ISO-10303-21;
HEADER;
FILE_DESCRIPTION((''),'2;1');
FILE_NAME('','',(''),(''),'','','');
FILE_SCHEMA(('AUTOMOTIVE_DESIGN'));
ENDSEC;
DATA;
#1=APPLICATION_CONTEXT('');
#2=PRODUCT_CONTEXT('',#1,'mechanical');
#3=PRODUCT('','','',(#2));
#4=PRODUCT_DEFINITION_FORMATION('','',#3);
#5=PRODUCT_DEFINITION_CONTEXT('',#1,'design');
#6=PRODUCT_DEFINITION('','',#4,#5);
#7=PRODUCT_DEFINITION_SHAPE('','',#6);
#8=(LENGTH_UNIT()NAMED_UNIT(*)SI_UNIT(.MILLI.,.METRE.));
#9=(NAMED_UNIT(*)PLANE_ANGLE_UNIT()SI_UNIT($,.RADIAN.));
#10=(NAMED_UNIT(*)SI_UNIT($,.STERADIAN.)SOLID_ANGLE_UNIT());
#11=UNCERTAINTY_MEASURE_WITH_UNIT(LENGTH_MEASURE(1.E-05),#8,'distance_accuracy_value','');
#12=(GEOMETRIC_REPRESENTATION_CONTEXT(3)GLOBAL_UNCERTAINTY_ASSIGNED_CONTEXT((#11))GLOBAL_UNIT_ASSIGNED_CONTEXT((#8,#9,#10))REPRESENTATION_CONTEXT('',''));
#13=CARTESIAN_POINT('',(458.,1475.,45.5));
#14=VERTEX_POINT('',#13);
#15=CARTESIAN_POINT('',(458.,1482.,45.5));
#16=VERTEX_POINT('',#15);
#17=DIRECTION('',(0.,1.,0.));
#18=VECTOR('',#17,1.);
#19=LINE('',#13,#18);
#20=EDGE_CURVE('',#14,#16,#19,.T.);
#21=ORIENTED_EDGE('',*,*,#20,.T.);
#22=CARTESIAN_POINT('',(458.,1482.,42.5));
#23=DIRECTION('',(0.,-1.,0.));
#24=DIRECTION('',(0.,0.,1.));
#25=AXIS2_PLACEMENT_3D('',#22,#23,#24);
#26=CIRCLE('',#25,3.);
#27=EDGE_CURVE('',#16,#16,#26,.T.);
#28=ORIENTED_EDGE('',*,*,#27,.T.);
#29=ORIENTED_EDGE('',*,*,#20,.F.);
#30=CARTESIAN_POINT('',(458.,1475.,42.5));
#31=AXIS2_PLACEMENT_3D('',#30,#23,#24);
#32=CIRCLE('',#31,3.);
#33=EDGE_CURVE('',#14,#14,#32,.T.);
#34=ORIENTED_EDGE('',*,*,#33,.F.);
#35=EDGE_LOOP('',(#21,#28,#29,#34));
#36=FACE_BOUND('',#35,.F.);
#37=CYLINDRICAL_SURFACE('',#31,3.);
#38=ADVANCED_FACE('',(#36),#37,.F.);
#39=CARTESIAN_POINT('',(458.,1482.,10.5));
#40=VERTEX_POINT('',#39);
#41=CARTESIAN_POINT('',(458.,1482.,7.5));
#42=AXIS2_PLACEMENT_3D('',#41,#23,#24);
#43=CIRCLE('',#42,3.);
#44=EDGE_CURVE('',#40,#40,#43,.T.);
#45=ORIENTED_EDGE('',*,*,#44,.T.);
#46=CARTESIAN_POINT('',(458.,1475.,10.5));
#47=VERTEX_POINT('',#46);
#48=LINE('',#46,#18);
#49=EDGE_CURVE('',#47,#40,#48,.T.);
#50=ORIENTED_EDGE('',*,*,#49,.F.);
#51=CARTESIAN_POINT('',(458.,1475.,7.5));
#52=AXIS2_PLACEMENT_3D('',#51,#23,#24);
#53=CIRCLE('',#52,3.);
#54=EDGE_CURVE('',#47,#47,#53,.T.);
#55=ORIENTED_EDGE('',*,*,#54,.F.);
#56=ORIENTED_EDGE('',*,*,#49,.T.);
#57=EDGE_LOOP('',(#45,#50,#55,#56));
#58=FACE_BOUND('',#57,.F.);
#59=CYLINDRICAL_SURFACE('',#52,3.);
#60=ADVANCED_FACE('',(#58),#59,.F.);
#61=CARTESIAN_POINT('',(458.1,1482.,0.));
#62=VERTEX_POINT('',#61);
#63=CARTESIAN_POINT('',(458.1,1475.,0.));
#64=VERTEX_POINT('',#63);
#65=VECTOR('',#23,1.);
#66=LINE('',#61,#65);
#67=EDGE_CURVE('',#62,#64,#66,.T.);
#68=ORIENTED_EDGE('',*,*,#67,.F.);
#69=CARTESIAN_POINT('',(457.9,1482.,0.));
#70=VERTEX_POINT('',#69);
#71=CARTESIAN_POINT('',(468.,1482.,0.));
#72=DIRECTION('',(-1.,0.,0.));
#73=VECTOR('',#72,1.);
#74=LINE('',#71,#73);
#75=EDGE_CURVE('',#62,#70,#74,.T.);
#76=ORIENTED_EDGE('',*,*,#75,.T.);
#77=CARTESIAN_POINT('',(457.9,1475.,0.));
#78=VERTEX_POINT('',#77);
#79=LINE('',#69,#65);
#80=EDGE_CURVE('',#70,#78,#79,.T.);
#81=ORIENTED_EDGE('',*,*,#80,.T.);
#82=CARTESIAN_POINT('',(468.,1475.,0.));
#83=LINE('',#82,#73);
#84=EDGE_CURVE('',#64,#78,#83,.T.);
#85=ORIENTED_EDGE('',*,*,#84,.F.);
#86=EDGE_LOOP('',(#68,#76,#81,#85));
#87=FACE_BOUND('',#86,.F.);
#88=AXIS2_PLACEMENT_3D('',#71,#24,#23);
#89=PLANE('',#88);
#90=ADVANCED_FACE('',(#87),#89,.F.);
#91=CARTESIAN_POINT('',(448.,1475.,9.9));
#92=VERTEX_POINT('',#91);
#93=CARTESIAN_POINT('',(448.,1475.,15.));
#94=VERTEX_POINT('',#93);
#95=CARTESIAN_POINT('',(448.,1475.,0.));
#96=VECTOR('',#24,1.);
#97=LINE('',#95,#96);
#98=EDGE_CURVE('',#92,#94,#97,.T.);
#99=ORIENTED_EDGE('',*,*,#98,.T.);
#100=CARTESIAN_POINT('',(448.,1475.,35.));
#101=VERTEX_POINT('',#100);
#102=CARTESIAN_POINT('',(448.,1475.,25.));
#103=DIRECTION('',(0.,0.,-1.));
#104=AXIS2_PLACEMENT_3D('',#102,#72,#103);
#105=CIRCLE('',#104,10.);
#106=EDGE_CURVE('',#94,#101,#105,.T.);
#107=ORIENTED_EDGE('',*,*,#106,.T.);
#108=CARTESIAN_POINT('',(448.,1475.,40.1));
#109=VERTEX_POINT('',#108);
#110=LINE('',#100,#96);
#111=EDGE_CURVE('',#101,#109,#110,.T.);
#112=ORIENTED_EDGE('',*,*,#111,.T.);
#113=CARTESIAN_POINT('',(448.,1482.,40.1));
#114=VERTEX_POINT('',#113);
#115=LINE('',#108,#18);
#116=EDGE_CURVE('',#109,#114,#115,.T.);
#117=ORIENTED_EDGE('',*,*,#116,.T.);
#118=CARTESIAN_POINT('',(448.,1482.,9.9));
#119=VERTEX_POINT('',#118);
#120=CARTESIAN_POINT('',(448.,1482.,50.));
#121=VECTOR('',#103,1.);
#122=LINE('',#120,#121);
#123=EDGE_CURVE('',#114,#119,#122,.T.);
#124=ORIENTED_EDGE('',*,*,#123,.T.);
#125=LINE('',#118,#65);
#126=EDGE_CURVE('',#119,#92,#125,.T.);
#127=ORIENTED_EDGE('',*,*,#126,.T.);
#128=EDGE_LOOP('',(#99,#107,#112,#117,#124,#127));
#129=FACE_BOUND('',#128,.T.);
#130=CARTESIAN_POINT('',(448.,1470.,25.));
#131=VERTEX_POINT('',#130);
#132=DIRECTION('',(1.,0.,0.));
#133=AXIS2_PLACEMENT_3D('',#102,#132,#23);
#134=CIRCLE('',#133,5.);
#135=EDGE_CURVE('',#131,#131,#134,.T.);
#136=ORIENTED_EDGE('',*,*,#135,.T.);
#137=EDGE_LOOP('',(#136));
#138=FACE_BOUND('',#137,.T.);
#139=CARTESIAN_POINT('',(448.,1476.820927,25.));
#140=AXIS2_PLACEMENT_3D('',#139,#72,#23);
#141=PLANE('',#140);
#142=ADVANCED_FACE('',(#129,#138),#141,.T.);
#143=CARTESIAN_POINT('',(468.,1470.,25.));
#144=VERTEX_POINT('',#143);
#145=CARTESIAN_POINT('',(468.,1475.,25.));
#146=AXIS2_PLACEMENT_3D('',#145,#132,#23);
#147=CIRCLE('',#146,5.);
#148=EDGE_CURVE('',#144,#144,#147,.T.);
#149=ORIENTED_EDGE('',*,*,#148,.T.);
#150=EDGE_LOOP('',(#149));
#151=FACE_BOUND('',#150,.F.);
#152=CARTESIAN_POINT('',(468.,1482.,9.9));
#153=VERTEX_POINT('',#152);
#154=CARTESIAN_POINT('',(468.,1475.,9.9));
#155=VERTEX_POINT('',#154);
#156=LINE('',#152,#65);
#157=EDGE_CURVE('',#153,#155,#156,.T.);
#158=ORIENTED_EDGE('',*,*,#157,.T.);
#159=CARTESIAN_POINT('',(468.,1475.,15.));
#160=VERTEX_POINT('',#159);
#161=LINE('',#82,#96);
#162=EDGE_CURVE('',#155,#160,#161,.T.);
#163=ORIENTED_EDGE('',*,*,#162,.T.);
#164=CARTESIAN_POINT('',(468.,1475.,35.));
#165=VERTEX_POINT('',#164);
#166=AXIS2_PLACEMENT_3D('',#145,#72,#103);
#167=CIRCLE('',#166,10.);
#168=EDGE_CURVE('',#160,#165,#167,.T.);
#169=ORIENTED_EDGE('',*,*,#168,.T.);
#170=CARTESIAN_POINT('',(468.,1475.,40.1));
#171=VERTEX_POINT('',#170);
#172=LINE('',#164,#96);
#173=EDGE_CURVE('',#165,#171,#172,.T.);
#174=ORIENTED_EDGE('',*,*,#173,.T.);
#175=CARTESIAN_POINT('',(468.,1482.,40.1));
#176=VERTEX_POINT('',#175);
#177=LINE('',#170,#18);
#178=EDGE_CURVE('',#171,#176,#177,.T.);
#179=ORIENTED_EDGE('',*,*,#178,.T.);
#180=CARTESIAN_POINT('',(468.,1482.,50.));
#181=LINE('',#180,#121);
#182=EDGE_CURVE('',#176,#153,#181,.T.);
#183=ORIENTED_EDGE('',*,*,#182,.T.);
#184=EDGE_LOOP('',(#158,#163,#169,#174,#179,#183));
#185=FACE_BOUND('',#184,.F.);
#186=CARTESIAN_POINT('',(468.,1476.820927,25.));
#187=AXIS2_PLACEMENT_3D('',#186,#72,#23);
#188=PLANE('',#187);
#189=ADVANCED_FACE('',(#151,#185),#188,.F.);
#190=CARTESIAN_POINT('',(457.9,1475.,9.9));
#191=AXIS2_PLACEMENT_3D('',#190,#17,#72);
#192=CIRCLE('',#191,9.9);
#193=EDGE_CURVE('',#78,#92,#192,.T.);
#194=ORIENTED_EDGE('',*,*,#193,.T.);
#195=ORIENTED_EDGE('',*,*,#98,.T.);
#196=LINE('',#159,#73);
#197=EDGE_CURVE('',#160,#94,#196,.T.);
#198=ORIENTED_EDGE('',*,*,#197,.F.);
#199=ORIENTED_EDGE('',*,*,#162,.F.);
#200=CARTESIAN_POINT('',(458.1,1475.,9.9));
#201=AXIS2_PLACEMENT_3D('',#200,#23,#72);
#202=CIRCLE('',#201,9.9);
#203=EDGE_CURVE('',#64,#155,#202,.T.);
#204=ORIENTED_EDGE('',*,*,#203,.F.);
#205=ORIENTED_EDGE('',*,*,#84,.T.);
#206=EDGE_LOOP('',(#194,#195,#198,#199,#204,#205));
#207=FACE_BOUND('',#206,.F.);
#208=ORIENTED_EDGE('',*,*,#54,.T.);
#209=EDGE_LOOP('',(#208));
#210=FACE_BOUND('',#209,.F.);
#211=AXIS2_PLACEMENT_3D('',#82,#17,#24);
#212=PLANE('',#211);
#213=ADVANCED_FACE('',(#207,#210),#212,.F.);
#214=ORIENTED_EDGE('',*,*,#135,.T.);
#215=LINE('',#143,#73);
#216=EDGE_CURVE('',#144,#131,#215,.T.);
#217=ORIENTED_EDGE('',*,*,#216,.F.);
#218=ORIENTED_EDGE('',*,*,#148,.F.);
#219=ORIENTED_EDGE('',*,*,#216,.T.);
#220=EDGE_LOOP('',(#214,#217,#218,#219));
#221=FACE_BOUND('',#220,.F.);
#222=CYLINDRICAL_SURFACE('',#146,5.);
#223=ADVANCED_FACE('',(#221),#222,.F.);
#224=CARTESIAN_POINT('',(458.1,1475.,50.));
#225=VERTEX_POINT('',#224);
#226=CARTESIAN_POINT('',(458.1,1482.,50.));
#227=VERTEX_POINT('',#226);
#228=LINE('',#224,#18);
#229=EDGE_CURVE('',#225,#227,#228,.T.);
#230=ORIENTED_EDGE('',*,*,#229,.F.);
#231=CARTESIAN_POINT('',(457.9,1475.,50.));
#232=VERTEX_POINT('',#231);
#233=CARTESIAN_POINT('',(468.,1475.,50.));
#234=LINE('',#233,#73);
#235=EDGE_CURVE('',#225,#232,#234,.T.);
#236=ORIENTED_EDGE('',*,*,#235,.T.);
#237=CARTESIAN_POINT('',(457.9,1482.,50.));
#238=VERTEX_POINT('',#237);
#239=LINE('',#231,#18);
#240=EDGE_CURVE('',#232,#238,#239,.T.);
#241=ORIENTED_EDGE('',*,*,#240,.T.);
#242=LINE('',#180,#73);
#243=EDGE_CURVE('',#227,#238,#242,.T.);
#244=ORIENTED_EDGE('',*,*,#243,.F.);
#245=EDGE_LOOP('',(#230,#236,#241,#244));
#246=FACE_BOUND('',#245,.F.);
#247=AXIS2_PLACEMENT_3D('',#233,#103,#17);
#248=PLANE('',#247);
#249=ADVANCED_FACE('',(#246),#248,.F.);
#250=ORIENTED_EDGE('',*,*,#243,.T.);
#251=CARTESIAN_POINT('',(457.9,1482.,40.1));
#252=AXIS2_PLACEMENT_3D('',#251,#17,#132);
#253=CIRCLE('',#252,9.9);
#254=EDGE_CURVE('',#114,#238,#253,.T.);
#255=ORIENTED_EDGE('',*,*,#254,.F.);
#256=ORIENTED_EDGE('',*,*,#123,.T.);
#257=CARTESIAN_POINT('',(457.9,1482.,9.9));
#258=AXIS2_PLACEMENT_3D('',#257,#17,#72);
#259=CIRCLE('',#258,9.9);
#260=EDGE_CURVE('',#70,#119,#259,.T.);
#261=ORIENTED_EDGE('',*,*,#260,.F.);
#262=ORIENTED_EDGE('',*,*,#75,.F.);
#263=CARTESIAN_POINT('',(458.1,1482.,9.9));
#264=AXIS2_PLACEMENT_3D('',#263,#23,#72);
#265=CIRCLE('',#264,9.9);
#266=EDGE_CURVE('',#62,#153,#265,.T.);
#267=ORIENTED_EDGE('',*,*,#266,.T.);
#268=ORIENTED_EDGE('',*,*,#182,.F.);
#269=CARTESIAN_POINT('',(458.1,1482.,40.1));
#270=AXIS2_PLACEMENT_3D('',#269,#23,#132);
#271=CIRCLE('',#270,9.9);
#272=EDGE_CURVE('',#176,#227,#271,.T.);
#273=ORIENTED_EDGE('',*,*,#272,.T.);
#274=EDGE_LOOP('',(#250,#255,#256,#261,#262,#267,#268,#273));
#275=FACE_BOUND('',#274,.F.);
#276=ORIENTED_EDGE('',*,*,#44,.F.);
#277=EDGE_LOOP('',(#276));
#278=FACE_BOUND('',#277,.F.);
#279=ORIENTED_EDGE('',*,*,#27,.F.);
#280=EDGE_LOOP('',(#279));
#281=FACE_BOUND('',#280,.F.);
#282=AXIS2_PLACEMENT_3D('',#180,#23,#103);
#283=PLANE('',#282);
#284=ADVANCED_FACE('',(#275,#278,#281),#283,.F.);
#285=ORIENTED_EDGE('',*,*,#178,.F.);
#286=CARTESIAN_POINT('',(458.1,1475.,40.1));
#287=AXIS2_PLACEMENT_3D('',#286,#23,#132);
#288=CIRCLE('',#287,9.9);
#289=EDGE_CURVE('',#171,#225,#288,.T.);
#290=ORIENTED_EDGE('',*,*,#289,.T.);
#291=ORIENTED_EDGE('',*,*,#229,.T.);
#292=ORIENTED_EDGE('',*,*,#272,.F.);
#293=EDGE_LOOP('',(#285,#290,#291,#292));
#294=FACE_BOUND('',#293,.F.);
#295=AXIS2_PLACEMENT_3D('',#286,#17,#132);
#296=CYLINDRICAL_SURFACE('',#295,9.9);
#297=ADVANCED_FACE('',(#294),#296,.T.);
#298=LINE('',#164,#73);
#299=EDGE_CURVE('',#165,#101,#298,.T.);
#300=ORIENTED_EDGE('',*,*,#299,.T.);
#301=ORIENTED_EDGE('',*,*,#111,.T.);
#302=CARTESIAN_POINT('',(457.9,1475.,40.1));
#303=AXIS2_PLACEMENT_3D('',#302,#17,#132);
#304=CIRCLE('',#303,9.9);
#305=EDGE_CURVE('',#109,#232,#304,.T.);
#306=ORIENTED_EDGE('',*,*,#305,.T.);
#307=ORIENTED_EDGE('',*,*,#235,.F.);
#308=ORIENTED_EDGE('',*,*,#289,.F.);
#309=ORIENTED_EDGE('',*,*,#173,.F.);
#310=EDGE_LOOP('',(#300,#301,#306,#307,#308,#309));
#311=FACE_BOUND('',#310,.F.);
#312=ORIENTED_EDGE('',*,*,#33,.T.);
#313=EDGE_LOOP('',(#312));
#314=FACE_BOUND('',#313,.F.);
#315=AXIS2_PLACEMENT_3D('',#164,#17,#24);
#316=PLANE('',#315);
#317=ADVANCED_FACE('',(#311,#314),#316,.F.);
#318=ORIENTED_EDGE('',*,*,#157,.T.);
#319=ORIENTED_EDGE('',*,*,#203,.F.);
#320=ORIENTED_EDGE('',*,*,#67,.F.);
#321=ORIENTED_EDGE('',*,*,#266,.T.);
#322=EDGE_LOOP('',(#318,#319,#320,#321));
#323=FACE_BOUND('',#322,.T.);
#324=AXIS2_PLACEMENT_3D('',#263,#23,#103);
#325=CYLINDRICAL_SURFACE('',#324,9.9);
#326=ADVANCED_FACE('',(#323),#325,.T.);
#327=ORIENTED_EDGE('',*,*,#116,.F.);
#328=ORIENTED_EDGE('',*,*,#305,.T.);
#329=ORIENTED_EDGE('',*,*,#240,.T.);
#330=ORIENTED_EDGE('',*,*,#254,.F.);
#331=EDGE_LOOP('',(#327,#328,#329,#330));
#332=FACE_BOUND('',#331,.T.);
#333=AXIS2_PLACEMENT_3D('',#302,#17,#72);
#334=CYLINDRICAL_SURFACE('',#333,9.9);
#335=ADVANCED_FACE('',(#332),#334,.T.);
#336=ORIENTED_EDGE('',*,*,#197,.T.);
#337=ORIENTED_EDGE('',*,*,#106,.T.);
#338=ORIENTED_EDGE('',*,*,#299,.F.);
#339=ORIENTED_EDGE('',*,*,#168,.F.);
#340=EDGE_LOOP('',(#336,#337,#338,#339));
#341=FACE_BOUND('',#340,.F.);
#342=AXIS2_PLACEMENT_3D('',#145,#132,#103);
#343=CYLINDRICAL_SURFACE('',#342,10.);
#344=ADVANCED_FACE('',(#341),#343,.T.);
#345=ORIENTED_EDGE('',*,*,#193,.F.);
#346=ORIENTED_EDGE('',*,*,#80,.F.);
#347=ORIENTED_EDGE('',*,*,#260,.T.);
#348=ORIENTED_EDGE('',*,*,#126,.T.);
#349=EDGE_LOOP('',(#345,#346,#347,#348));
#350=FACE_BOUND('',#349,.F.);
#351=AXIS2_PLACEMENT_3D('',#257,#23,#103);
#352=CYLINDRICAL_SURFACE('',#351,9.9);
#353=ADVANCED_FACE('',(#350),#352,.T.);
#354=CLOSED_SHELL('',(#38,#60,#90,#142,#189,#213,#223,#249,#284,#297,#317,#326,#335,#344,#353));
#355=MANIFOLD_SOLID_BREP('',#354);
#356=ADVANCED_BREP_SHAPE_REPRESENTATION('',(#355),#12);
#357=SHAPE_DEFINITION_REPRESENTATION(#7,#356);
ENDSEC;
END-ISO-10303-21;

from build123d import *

# Parameters (mm, degrees)
PAD030_DEPTH             = 20
SKETCH021_R              = 5
POCKET001006_DEPTH       = 20.001
FILLET_R                 = 9.9
SKETCH024_R              = 3
POCKET002_DEPTH          = 7.001
CLONE076_ROLL_ANGLE      = 90
CLONE076_PLACEMENT_ANGLE = -90


with BuildPart() as part:
    # Sketch020 → Pad030 (new body)
    with BuildSketch(Plane.XY):
        with BuildLine():
            Line((18, 0), (25, 0))
            Line((25, 0), (25, 15))
            ThreePointArc((25, 15), (35, 25), (25, 35))
            Line((25, 35), (25, 50))
            Line((25, 50), (18, 50))
            Line((18, 50), (18, 0))
        make_face()
    extrude(amount=PAD030_DEPTH)

    # Sketch021 → Pocket001006 (cut, through all)
    with BuildSketch(Plane(origin=(0, 0, 0), x_dir=(1, 0, 0), z_dir=(0, 0, -1))):
        with Locations((25, -25)):
            Circle(SKETCH021_R)
    extrude(amount=-POCKET001006_DEPTH, mode=Mode.SUBTRACT)

    # Fillet
    fillet_edges = [part.edges().sort_by_distance(p)[0] for p in [
        (21.5, 0, 0),
        (21.5, 50, 0),
        (21.5, 50, 20),
        (21.5, 0, 20),
    ]]
    fillet(fillet_edges, radius=FILLET_R)

    # Sketch024 → Pocket002 (cut, through all)
    with BuildSketch(Plane.YZ.offset(25)):
        with Locations((7.5, 10)):
            Circle(SKETCH024_R)
        with Locations((42.5, 10)):
            Circle(SKETCH024_R)
    extrude(amount=-POCKET002_DEPTH, mode=Mode.SUBTRACT)


with BuildPart() as part_1:
    # Clone076 roll: moved
    add(part.part.rotate(Axis((0, 0, 0), (1, 0, 0)), CLONE076_ROLL_ANGLE))


with BuildPart() as part_2:
    # Clone076 placement: moved
    add(part_1.part.moved(Location((120.75, 1500, 0))).rotate(Axis((120.75, 1500, 0), (0, 0, 1)), CLONE076_PLACEMENT_ANGLE))


with BuildPart() as part_3:
    # Clone078 placement: moved
    add(part_2.part.moved(Location((347.25, 0, 0))))


solid = part_3.part
